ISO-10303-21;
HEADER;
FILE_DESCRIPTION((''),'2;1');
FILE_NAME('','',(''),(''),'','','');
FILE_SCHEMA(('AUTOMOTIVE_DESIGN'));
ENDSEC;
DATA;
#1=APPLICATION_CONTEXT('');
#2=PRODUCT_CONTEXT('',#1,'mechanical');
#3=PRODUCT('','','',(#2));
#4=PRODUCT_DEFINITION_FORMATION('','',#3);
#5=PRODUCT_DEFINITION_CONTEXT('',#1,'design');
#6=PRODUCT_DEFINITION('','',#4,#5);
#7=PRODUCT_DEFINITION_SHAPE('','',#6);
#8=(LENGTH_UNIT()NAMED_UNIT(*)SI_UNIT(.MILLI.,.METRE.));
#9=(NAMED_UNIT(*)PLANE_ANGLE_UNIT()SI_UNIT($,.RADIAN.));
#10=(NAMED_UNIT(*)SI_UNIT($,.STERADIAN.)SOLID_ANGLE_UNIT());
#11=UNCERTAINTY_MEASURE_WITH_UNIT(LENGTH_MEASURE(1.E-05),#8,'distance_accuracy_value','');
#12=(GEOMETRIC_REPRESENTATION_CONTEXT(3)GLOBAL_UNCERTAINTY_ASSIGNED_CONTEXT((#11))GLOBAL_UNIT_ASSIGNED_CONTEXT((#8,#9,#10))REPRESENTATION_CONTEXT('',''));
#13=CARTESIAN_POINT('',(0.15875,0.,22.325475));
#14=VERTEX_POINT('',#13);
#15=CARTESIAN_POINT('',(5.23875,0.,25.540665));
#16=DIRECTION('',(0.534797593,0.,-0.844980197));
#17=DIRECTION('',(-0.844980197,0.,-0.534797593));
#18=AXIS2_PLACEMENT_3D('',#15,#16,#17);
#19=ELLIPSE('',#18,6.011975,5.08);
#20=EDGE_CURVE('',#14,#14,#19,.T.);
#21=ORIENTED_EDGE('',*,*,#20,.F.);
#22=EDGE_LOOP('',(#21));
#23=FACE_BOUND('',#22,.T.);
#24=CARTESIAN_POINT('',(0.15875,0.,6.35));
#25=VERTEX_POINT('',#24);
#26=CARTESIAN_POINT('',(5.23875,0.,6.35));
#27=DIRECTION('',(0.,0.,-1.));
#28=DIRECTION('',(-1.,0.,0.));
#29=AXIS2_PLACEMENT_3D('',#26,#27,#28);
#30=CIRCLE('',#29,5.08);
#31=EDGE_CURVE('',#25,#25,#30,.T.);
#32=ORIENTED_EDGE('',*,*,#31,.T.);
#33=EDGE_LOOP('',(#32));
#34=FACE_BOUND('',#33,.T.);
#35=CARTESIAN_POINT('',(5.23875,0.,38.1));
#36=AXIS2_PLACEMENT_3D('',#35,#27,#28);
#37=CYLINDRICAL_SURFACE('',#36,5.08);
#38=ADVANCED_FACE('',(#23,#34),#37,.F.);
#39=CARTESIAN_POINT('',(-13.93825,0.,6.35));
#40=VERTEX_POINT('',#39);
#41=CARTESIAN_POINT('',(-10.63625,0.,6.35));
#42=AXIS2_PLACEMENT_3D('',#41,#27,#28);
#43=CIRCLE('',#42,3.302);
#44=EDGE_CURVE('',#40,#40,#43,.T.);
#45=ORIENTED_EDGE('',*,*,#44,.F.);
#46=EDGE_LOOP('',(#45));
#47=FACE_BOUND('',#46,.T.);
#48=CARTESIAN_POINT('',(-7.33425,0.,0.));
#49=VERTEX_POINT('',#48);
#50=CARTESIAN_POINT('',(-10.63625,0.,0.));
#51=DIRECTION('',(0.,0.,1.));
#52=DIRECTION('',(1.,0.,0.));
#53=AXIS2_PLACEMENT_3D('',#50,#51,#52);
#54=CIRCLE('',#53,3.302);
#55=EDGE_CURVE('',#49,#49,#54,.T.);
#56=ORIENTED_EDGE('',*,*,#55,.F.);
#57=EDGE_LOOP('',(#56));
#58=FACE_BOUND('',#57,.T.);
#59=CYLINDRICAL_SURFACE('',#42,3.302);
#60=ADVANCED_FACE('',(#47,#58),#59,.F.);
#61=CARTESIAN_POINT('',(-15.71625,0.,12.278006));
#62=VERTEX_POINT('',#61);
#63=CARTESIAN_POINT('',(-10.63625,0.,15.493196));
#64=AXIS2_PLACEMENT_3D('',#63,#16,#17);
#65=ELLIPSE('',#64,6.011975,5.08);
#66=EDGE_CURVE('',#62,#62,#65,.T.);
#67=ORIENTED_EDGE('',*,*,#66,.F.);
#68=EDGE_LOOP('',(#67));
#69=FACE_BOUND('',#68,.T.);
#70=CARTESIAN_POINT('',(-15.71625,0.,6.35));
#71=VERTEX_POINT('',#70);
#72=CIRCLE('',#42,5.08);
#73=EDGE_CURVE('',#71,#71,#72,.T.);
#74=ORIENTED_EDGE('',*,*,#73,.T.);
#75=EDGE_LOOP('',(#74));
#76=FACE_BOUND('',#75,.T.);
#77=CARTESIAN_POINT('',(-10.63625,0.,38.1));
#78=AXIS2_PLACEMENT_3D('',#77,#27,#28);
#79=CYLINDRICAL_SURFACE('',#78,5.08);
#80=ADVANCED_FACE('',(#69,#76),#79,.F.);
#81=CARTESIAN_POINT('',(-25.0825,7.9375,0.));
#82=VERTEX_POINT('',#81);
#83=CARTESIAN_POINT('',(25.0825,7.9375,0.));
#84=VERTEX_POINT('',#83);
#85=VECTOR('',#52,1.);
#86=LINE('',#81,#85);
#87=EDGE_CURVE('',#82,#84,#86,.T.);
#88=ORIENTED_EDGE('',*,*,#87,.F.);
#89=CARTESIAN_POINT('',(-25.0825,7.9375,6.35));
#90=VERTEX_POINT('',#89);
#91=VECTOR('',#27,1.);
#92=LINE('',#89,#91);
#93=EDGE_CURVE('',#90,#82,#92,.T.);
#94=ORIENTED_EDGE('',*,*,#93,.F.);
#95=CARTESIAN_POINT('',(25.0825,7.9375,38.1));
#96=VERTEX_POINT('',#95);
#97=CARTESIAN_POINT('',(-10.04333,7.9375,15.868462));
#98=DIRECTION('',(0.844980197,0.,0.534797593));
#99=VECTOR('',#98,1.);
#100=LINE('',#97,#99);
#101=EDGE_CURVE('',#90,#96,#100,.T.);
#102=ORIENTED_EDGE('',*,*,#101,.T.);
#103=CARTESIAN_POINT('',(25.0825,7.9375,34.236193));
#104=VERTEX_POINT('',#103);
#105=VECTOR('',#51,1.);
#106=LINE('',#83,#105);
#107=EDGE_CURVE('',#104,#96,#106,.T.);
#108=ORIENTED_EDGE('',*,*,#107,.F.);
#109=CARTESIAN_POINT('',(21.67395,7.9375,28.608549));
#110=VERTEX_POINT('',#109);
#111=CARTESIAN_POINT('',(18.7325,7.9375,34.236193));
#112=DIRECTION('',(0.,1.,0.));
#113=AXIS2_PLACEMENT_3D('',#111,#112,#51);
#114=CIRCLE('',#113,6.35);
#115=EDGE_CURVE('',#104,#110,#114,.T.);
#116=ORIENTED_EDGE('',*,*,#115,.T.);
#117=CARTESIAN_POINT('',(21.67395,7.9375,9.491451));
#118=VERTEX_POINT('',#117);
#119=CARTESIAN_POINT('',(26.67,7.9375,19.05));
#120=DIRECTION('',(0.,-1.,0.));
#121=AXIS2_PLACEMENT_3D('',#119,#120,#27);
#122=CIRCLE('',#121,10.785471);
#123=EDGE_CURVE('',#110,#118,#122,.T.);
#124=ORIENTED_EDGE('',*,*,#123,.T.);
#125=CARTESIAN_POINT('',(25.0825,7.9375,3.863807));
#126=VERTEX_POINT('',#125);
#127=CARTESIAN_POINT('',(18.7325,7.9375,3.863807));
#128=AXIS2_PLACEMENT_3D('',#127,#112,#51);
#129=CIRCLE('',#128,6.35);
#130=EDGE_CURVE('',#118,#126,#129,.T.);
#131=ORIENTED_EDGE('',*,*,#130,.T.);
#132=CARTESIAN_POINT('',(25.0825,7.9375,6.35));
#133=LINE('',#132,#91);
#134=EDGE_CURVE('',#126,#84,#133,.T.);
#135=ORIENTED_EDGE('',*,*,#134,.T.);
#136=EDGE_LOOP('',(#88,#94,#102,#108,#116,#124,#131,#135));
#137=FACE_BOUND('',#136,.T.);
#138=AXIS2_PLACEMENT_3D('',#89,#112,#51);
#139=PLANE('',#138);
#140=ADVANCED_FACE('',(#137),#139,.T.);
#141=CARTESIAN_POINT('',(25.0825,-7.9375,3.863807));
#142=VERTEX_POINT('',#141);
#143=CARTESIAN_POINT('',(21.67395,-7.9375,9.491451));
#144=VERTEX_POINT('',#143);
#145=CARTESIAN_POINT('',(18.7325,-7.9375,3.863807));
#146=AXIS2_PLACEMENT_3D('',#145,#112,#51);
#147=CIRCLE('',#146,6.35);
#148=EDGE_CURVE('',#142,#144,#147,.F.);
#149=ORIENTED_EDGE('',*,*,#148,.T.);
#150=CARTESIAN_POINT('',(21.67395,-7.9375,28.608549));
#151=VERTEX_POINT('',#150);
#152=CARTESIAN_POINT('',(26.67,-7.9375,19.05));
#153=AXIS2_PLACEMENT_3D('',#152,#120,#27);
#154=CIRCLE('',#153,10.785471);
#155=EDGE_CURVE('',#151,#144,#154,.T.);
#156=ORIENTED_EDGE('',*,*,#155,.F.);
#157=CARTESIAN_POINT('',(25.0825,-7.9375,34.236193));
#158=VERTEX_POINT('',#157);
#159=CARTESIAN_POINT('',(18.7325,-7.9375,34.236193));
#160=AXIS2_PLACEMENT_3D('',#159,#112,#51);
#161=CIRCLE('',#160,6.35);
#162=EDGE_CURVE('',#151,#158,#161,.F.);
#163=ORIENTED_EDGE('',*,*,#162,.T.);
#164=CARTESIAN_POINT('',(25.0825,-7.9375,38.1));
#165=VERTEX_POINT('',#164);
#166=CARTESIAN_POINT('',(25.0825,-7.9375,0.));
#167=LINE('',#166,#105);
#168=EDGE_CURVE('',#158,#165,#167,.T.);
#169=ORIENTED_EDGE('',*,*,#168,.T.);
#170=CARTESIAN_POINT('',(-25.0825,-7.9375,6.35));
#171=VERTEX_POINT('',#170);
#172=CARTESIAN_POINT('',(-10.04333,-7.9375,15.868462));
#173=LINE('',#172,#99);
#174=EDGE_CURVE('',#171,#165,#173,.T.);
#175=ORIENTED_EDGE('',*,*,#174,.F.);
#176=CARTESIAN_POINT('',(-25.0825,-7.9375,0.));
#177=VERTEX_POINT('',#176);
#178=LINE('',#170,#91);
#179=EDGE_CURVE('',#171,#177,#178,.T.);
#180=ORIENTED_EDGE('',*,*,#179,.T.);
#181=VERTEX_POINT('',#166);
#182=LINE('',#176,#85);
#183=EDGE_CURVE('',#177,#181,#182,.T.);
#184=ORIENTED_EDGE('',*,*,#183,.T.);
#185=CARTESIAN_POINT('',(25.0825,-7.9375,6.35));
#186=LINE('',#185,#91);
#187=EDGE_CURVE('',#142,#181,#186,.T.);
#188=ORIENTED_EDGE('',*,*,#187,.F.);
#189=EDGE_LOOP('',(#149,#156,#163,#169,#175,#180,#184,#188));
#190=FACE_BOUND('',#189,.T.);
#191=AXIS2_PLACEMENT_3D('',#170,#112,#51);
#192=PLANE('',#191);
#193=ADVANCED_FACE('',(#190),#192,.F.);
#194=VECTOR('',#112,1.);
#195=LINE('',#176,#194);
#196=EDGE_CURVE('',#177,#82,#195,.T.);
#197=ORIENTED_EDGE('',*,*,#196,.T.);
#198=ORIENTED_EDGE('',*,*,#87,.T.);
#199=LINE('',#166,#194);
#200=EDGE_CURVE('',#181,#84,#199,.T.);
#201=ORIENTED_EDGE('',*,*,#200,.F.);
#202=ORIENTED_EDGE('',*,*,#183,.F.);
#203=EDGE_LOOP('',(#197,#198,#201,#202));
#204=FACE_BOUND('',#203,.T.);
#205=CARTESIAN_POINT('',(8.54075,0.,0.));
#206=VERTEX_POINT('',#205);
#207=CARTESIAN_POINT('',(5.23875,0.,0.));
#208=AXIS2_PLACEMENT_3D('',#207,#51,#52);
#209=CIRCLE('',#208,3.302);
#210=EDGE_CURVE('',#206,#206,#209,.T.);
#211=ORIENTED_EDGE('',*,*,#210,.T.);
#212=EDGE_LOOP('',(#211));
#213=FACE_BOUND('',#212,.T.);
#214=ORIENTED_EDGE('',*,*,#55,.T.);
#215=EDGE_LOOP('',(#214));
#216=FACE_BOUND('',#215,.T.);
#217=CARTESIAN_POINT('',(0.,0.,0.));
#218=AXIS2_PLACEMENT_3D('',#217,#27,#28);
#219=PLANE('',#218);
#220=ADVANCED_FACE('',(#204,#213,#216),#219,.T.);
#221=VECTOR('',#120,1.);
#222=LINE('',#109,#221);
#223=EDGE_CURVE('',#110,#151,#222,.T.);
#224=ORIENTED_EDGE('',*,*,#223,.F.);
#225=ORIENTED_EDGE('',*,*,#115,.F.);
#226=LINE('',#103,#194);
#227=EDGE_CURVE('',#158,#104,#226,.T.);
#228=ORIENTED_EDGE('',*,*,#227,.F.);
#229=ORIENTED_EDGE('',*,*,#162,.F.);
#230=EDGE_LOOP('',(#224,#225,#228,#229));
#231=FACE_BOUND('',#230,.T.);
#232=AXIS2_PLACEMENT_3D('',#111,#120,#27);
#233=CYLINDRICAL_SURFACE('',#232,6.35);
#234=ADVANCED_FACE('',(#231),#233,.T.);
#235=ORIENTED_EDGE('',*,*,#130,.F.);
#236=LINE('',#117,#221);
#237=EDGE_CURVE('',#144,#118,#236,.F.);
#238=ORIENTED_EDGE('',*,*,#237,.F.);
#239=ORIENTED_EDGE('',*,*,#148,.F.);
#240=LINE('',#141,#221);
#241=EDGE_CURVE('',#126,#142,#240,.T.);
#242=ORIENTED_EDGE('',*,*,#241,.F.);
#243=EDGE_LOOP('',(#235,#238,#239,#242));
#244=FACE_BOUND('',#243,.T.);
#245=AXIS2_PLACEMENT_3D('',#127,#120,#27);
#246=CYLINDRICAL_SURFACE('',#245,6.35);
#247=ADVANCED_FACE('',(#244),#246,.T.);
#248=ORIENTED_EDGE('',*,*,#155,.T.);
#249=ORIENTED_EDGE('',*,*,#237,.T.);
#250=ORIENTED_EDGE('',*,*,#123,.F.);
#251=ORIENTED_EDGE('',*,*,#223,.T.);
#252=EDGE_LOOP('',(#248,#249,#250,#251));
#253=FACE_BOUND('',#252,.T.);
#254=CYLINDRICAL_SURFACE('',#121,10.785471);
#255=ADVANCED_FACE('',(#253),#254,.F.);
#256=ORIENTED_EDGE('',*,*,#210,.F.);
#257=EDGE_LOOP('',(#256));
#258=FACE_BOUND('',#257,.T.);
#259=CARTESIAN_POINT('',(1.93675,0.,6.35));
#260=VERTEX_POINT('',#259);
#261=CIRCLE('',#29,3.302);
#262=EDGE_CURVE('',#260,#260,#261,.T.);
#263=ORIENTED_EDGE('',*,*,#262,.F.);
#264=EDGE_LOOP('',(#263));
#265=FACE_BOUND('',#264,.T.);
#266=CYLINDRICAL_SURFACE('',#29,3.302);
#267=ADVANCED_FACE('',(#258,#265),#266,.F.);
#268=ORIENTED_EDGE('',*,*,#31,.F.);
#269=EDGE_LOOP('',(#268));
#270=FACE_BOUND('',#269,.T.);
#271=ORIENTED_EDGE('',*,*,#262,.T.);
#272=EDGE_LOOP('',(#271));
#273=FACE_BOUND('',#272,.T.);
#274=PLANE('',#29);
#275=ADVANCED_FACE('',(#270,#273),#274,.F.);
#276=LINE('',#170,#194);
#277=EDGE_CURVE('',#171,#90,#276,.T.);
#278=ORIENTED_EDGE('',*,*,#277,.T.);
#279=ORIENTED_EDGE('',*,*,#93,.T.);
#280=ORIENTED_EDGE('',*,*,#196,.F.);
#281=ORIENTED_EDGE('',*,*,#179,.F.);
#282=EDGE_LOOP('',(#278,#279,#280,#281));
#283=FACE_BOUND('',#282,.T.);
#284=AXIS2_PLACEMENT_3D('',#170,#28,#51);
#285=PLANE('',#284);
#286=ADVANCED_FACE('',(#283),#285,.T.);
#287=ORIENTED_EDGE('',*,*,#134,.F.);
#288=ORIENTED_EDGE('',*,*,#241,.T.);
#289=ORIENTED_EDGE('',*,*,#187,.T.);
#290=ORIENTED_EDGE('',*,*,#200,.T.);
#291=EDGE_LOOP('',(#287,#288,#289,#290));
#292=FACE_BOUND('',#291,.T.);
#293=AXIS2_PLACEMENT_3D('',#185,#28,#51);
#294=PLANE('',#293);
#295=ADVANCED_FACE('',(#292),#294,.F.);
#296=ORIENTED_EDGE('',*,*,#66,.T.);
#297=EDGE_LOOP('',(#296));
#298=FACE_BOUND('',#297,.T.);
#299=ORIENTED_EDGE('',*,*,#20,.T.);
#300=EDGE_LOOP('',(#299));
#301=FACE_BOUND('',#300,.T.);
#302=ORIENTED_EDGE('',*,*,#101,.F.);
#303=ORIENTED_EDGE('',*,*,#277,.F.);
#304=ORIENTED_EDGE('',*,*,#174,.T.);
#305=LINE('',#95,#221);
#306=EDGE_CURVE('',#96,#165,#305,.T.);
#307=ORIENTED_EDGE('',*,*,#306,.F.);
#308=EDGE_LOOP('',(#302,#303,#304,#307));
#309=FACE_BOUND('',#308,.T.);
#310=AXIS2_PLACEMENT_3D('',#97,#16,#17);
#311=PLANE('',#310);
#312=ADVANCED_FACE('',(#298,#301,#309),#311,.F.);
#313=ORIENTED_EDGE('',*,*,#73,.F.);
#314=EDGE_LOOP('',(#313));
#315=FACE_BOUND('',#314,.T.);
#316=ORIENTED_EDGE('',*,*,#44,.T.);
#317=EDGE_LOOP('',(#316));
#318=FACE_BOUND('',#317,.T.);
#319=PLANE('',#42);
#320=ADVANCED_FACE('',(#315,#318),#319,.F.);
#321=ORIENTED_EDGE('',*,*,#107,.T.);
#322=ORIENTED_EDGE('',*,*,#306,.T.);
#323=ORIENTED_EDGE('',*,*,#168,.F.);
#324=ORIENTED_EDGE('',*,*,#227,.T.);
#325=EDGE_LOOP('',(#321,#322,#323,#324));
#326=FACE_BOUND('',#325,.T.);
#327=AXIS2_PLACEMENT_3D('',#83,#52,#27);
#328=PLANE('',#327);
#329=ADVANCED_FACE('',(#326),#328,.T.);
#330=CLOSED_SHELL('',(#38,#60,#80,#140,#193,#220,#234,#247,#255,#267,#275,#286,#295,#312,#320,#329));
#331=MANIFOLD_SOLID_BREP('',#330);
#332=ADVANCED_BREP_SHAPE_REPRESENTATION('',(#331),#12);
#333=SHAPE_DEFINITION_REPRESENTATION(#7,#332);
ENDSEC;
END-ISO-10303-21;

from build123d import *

# Parameters (mm, degrees)
SKETCH1_W           = 50.165
SKETCH1_H           = 15.875
SKETCH1_R           = 3.302
BOSS_EXTRUDE1_DEPTH = 6.35
BOSS_EXTRUDE2_DEPTH = 15.875
FILLET1_R           = 6.35
SKETCH1_3_R         = 3.302
CUT_EXTRUDE1_DEPTH  = 47.300601643
SKETCH10_R          = 5.08
CUT_EXTRUDE4_DEPTH  = 42.233459866


with BuildPart() as part:
    # Sketch1 → Boss-Extrude1 (new body)
    with BuildSketch(Plane.XY):
        Rectangle(SKETCH1_W, SKETCH1_H)
        with Locations((5.23875, 0)):
            Circle(SKETCH1_R, mode=Mode.SUBTRACT)
        with Locations((-10.63625, 0)):
            Circle(SKETCH1_R, mode=Mode.SUBTRACT)
    extrude(amount=BOSS_EXTRUDE1_DEPTH)

    # Sketch4 → Boss-Extrude2 (add, through all)
    with BuildSketch(Plane.XZ.offset(7.9375)):
        with BuildLine():
            Line((-25.0825, 6.35), (25.0825, 6.35))
            Line((25.0825, 6.35), (25.0825, 8.382))
            ThreePointArc((25.0825, 8.382), (15.884529206, 19.05), (25.0825, 29.718))
            Line((25.0825, 29.718), (25.0825, 38.1))
            Line((25.0825, 38.1), (-25.0825, 6.35))
        make_face()
    extrude(amount=-BOSS_EXTRUDE2_DEPTH)

    # Fillet1
    fillet1_edges = [part.edges().sort_by_distance(p)[0] for p in [
        (25.0825, 0, 8.382),
        (25.0825, 0, 29.718),
    ]]
    fillet(fillet1_edges, radius=FILLET1_R)

    # Sketch1<3> → Cut-Extrude1 (cut, through all)
    with BuildSketch(Plane.XY):
        with Locations(Location((5.23875, 0, 0), (0, 0, 180))):
            Circle(SKETCH1_3_R)
        with Locations(Location((-10.63625, 0, 0), (0, 0, 180))):
            Circle(SKETCH1_3_R)
    extrude(amount=CUT_EXTRUDE1_DEPTH, mode=Mode.SUBTRACT)

    # Sketch10 → Cut-Extrude4 (cut, through all)
    with BuildSketch(Plane(origin=(0, 0, 6.35), x_dir=(-1, 0, 0), z_dir=(0, 0, -1))):
        with Locations((10.63625, 0)):
            Circle(SKETCH10_R)
        with Locations((-5.23875, 0)):
            Circle(SKETCH10_R)
    extrude(amount=-CUT_EXTRUDE4_DEPTH, mode=Mode.SUBTRACT)


solid = part.part
